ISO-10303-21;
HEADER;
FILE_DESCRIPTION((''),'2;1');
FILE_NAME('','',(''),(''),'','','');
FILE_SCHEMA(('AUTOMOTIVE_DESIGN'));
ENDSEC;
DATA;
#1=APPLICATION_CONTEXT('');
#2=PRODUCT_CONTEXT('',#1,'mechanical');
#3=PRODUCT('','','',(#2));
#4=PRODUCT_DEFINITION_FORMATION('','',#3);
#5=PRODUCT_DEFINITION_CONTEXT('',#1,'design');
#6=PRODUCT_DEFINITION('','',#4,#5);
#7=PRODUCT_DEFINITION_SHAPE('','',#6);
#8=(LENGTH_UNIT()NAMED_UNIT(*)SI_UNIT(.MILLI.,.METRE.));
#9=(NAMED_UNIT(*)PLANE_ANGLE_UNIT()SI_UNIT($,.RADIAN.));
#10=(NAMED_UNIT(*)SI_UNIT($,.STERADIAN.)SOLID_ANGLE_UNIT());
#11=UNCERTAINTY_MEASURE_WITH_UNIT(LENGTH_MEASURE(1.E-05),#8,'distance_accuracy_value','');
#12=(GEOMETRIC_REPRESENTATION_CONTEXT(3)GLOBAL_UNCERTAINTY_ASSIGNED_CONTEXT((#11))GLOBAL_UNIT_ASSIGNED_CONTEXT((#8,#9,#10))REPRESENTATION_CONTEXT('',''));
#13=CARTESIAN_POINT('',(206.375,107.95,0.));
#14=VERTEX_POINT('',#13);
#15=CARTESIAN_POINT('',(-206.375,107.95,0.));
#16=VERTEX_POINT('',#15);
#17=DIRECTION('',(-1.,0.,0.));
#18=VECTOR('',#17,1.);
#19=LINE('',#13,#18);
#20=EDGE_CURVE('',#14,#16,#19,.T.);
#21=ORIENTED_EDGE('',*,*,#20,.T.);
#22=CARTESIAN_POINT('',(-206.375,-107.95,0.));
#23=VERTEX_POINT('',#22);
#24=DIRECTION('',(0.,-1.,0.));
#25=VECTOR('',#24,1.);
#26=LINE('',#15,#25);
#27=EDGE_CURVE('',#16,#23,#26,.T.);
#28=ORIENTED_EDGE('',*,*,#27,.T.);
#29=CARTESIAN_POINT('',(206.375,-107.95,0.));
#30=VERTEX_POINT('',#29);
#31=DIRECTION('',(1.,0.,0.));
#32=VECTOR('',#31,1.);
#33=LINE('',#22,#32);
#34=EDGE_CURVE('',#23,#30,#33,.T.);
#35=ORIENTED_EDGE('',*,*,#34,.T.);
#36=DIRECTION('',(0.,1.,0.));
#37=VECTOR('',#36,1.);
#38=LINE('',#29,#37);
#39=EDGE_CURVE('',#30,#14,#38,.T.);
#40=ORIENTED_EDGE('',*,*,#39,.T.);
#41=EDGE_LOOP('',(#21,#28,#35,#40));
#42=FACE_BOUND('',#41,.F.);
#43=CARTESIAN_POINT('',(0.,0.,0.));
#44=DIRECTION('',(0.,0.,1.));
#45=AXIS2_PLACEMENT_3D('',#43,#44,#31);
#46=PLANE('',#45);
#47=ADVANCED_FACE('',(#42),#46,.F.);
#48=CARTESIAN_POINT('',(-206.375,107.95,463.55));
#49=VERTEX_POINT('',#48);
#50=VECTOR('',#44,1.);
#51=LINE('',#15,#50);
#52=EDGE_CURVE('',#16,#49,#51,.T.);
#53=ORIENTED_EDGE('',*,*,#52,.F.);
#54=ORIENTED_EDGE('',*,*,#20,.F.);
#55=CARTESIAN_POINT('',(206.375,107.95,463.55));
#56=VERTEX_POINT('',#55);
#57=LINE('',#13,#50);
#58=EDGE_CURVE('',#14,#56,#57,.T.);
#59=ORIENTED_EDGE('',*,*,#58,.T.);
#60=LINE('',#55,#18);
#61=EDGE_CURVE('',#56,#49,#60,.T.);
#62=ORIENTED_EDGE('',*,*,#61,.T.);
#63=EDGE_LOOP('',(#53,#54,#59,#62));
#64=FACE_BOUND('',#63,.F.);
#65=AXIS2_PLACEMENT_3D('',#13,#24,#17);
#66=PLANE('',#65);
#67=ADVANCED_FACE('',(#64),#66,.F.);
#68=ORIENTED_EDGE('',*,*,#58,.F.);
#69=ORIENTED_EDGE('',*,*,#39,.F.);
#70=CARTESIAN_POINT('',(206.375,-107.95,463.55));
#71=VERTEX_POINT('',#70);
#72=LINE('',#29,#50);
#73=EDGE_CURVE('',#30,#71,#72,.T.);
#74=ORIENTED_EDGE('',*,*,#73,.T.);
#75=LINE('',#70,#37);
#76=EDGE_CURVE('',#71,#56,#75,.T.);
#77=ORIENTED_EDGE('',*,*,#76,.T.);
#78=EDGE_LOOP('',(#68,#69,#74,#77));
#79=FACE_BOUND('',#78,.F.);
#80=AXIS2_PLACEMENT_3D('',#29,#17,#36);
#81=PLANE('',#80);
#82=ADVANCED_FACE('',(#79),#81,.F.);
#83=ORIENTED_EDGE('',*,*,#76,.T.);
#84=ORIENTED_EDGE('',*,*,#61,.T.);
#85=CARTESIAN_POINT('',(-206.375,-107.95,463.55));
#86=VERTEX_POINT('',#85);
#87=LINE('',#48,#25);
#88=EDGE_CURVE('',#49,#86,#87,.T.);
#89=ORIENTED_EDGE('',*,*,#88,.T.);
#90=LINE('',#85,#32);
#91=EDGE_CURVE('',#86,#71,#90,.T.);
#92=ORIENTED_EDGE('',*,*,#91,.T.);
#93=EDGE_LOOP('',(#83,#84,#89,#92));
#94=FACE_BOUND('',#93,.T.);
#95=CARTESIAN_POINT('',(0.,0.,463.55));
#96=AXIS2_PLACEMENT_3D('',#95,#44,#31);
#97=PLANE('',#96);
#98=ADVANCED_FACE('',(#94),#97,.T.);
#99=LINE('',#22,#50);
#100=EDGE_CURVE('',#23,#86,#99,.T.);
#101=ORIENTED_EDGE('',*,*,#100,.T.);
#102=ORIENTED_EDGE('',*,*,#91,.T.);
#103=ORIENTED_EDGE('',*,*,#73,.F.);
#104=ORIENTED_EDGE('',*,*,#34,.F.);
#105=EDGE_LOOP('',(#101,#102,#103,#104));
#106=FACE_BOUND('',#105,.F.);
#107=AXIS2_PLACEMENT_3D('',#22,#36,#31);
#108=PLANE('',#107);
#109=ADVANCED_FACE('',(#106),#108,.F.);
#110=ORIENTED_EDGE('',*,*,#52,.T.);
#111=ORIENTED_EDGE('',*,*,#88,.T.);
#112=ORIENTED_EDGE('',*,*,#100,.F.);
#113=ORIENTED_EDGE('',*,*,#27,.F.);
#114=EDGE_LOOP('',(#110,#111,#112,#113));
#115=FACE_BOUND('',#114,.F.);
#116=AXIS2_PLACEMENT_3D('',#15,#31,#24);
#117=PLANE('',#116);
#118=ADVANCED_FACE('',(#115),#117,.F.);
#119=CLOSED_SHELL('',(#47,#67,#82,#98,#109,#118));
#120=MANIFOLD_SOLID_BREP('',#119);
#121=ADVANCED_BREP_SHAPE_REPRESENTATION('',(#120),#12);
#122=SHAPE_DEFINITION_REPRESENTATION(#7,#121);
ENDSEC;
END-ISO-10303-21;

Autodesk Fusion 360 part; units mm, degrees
sketch "Sketch1" plane through (0, 0, 0) normal (0, 0, 1) x (1, 0, 0) in component "PC"
  line L0 (206.375, 107.95) -> (-206.375, 107.95)
  line L1 (-206.375, 107.95) -> (-206.375, -107.95)
  line L2 (-206.375, -107.95) -> (206.375, -107.95)
  line L3 (206.375, -107.95) -> (206.375, 107.95)
  line L4 (206.375, 107.95) -> (-206.375, -107.95) construction
  line L5 (-206.375, 107.95) -> (206.375, -107.95) construction
  dimension "d1" = 412.75
  dimension "d2" = 215.9
extrude "Extrude1" add sketch "Sketch1" along normal blind 463.55 in component "PC"
component "PC" placed x (1, 0, 0) y (0, 1, 0) z (0, 0, 1) at (0, 0, 0)
